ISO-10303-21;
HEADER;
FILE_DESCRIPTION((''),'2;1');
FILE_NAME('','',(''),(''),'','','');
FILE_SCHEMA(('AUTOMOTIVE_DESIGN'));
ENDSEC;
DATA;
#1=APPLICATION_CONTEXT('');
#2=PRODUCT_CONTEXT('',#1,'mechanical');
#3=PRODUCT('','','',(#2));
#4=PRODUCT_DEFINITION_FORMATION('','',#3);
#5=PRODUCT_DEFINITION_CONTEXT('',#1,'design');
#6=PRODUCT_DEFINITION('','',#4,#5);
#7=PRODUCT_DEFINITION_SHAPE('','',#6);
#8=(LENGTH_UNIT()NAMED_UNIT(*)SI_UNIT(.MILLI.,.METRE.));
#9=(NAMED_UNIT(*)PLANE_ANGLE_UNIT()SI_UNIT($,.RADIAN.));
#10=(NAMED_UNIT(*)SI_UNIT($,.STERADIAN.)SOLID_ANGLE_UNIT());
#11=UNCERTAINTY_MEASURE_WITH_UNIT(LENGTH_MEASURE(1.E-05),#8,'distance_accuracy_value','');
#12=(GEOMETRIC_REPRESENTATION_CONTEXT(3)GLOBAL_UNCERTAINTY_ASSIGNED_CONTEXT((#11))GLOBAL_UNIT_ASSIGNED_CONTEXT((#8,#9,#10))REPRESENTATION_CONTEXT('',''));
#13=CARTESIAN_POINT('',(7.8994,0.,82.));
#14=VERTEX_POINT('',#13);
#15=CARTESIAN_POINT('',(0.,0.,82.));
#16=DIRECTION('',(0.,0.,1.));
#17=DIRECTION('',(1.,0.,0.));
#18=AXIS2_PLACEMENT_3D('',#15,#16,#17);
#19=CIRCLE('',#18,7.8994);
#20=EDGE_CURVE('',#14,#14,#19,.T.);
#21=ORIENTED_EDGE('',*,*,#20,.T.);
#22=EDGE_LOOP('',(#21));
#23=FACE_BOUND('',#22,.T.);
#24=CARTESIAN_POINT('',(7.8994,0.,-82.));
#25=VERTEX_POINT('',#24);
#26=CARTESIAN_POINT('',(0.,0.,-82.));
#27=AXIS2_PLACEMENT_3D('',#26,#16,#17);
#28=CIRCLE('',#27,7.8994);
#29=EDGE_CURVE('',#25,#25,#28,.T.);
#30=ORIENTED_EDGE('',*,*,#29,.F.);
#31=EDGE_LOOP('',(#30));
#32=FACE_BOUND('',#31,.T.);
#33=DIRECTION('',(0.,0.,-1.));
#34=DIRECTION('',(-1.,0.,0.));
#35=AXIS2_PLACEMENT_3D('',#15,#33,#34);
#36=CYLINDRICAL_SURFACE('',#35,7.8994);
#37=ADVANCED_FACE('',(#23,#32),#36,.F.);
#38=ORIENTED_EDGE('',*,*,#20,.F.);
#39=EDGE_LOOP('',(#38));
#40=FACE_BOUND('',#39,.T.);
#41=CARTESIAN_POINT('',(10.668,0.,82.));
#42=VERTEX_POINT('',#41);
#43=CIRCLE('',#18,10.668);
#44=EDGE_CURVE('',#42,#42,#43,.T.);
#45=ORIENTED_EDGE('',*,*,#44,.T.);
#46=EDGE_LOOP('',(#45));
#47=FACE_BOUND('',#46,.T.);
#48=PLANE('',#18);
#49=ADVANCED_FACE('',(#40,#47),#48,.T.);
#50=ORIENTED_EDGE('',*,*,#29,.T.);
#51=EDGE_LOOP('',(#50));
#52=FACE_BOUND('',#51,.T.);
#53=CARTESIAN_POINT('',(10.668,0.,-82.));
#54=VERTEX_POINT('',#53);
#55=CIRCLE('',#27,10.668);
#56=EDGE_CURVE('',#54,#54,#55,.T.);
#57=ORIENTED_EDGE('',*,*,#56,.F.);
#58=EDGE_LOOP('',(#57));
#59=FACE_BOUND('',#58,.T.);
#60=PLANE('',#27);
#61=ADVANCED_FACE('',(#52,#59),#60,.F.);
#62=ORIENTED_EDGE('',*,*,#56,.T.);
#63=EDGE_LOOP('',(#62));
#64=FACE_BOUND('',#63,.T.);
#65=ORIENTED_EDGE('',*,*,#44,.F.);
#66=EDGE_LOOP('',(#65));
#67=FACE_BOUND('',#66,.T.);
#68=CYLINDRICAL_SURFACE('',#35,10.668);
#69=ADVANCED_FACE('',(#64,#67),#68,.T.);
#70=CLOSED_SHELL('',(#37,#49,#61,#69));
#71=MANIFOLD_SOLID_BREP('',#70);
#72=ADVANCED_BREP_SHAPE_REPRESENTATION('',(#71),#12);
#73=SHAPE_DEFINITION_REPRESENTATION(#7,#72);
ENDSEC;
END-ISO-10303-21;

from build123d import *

# Parameters (mm, degrees)
SKETCH1_R           = 10.668
SKETCH1_R_2         = 7.8994
EXTRUDE_THIN1_DEPTH = 82


with BuildPart() as part:
    # Sketch1 → Extrude-Thin1 (new, symmetric)
    with BuildSketch(Plane.XY):
        Circle(SKETCH1_R)
        Circle(SKETCH1_R_2, mode=Mode.SUBTRACT)
    extrude(amount=EXTRUDE_THIN1_DEPTH, both=True)


solid = part.part
